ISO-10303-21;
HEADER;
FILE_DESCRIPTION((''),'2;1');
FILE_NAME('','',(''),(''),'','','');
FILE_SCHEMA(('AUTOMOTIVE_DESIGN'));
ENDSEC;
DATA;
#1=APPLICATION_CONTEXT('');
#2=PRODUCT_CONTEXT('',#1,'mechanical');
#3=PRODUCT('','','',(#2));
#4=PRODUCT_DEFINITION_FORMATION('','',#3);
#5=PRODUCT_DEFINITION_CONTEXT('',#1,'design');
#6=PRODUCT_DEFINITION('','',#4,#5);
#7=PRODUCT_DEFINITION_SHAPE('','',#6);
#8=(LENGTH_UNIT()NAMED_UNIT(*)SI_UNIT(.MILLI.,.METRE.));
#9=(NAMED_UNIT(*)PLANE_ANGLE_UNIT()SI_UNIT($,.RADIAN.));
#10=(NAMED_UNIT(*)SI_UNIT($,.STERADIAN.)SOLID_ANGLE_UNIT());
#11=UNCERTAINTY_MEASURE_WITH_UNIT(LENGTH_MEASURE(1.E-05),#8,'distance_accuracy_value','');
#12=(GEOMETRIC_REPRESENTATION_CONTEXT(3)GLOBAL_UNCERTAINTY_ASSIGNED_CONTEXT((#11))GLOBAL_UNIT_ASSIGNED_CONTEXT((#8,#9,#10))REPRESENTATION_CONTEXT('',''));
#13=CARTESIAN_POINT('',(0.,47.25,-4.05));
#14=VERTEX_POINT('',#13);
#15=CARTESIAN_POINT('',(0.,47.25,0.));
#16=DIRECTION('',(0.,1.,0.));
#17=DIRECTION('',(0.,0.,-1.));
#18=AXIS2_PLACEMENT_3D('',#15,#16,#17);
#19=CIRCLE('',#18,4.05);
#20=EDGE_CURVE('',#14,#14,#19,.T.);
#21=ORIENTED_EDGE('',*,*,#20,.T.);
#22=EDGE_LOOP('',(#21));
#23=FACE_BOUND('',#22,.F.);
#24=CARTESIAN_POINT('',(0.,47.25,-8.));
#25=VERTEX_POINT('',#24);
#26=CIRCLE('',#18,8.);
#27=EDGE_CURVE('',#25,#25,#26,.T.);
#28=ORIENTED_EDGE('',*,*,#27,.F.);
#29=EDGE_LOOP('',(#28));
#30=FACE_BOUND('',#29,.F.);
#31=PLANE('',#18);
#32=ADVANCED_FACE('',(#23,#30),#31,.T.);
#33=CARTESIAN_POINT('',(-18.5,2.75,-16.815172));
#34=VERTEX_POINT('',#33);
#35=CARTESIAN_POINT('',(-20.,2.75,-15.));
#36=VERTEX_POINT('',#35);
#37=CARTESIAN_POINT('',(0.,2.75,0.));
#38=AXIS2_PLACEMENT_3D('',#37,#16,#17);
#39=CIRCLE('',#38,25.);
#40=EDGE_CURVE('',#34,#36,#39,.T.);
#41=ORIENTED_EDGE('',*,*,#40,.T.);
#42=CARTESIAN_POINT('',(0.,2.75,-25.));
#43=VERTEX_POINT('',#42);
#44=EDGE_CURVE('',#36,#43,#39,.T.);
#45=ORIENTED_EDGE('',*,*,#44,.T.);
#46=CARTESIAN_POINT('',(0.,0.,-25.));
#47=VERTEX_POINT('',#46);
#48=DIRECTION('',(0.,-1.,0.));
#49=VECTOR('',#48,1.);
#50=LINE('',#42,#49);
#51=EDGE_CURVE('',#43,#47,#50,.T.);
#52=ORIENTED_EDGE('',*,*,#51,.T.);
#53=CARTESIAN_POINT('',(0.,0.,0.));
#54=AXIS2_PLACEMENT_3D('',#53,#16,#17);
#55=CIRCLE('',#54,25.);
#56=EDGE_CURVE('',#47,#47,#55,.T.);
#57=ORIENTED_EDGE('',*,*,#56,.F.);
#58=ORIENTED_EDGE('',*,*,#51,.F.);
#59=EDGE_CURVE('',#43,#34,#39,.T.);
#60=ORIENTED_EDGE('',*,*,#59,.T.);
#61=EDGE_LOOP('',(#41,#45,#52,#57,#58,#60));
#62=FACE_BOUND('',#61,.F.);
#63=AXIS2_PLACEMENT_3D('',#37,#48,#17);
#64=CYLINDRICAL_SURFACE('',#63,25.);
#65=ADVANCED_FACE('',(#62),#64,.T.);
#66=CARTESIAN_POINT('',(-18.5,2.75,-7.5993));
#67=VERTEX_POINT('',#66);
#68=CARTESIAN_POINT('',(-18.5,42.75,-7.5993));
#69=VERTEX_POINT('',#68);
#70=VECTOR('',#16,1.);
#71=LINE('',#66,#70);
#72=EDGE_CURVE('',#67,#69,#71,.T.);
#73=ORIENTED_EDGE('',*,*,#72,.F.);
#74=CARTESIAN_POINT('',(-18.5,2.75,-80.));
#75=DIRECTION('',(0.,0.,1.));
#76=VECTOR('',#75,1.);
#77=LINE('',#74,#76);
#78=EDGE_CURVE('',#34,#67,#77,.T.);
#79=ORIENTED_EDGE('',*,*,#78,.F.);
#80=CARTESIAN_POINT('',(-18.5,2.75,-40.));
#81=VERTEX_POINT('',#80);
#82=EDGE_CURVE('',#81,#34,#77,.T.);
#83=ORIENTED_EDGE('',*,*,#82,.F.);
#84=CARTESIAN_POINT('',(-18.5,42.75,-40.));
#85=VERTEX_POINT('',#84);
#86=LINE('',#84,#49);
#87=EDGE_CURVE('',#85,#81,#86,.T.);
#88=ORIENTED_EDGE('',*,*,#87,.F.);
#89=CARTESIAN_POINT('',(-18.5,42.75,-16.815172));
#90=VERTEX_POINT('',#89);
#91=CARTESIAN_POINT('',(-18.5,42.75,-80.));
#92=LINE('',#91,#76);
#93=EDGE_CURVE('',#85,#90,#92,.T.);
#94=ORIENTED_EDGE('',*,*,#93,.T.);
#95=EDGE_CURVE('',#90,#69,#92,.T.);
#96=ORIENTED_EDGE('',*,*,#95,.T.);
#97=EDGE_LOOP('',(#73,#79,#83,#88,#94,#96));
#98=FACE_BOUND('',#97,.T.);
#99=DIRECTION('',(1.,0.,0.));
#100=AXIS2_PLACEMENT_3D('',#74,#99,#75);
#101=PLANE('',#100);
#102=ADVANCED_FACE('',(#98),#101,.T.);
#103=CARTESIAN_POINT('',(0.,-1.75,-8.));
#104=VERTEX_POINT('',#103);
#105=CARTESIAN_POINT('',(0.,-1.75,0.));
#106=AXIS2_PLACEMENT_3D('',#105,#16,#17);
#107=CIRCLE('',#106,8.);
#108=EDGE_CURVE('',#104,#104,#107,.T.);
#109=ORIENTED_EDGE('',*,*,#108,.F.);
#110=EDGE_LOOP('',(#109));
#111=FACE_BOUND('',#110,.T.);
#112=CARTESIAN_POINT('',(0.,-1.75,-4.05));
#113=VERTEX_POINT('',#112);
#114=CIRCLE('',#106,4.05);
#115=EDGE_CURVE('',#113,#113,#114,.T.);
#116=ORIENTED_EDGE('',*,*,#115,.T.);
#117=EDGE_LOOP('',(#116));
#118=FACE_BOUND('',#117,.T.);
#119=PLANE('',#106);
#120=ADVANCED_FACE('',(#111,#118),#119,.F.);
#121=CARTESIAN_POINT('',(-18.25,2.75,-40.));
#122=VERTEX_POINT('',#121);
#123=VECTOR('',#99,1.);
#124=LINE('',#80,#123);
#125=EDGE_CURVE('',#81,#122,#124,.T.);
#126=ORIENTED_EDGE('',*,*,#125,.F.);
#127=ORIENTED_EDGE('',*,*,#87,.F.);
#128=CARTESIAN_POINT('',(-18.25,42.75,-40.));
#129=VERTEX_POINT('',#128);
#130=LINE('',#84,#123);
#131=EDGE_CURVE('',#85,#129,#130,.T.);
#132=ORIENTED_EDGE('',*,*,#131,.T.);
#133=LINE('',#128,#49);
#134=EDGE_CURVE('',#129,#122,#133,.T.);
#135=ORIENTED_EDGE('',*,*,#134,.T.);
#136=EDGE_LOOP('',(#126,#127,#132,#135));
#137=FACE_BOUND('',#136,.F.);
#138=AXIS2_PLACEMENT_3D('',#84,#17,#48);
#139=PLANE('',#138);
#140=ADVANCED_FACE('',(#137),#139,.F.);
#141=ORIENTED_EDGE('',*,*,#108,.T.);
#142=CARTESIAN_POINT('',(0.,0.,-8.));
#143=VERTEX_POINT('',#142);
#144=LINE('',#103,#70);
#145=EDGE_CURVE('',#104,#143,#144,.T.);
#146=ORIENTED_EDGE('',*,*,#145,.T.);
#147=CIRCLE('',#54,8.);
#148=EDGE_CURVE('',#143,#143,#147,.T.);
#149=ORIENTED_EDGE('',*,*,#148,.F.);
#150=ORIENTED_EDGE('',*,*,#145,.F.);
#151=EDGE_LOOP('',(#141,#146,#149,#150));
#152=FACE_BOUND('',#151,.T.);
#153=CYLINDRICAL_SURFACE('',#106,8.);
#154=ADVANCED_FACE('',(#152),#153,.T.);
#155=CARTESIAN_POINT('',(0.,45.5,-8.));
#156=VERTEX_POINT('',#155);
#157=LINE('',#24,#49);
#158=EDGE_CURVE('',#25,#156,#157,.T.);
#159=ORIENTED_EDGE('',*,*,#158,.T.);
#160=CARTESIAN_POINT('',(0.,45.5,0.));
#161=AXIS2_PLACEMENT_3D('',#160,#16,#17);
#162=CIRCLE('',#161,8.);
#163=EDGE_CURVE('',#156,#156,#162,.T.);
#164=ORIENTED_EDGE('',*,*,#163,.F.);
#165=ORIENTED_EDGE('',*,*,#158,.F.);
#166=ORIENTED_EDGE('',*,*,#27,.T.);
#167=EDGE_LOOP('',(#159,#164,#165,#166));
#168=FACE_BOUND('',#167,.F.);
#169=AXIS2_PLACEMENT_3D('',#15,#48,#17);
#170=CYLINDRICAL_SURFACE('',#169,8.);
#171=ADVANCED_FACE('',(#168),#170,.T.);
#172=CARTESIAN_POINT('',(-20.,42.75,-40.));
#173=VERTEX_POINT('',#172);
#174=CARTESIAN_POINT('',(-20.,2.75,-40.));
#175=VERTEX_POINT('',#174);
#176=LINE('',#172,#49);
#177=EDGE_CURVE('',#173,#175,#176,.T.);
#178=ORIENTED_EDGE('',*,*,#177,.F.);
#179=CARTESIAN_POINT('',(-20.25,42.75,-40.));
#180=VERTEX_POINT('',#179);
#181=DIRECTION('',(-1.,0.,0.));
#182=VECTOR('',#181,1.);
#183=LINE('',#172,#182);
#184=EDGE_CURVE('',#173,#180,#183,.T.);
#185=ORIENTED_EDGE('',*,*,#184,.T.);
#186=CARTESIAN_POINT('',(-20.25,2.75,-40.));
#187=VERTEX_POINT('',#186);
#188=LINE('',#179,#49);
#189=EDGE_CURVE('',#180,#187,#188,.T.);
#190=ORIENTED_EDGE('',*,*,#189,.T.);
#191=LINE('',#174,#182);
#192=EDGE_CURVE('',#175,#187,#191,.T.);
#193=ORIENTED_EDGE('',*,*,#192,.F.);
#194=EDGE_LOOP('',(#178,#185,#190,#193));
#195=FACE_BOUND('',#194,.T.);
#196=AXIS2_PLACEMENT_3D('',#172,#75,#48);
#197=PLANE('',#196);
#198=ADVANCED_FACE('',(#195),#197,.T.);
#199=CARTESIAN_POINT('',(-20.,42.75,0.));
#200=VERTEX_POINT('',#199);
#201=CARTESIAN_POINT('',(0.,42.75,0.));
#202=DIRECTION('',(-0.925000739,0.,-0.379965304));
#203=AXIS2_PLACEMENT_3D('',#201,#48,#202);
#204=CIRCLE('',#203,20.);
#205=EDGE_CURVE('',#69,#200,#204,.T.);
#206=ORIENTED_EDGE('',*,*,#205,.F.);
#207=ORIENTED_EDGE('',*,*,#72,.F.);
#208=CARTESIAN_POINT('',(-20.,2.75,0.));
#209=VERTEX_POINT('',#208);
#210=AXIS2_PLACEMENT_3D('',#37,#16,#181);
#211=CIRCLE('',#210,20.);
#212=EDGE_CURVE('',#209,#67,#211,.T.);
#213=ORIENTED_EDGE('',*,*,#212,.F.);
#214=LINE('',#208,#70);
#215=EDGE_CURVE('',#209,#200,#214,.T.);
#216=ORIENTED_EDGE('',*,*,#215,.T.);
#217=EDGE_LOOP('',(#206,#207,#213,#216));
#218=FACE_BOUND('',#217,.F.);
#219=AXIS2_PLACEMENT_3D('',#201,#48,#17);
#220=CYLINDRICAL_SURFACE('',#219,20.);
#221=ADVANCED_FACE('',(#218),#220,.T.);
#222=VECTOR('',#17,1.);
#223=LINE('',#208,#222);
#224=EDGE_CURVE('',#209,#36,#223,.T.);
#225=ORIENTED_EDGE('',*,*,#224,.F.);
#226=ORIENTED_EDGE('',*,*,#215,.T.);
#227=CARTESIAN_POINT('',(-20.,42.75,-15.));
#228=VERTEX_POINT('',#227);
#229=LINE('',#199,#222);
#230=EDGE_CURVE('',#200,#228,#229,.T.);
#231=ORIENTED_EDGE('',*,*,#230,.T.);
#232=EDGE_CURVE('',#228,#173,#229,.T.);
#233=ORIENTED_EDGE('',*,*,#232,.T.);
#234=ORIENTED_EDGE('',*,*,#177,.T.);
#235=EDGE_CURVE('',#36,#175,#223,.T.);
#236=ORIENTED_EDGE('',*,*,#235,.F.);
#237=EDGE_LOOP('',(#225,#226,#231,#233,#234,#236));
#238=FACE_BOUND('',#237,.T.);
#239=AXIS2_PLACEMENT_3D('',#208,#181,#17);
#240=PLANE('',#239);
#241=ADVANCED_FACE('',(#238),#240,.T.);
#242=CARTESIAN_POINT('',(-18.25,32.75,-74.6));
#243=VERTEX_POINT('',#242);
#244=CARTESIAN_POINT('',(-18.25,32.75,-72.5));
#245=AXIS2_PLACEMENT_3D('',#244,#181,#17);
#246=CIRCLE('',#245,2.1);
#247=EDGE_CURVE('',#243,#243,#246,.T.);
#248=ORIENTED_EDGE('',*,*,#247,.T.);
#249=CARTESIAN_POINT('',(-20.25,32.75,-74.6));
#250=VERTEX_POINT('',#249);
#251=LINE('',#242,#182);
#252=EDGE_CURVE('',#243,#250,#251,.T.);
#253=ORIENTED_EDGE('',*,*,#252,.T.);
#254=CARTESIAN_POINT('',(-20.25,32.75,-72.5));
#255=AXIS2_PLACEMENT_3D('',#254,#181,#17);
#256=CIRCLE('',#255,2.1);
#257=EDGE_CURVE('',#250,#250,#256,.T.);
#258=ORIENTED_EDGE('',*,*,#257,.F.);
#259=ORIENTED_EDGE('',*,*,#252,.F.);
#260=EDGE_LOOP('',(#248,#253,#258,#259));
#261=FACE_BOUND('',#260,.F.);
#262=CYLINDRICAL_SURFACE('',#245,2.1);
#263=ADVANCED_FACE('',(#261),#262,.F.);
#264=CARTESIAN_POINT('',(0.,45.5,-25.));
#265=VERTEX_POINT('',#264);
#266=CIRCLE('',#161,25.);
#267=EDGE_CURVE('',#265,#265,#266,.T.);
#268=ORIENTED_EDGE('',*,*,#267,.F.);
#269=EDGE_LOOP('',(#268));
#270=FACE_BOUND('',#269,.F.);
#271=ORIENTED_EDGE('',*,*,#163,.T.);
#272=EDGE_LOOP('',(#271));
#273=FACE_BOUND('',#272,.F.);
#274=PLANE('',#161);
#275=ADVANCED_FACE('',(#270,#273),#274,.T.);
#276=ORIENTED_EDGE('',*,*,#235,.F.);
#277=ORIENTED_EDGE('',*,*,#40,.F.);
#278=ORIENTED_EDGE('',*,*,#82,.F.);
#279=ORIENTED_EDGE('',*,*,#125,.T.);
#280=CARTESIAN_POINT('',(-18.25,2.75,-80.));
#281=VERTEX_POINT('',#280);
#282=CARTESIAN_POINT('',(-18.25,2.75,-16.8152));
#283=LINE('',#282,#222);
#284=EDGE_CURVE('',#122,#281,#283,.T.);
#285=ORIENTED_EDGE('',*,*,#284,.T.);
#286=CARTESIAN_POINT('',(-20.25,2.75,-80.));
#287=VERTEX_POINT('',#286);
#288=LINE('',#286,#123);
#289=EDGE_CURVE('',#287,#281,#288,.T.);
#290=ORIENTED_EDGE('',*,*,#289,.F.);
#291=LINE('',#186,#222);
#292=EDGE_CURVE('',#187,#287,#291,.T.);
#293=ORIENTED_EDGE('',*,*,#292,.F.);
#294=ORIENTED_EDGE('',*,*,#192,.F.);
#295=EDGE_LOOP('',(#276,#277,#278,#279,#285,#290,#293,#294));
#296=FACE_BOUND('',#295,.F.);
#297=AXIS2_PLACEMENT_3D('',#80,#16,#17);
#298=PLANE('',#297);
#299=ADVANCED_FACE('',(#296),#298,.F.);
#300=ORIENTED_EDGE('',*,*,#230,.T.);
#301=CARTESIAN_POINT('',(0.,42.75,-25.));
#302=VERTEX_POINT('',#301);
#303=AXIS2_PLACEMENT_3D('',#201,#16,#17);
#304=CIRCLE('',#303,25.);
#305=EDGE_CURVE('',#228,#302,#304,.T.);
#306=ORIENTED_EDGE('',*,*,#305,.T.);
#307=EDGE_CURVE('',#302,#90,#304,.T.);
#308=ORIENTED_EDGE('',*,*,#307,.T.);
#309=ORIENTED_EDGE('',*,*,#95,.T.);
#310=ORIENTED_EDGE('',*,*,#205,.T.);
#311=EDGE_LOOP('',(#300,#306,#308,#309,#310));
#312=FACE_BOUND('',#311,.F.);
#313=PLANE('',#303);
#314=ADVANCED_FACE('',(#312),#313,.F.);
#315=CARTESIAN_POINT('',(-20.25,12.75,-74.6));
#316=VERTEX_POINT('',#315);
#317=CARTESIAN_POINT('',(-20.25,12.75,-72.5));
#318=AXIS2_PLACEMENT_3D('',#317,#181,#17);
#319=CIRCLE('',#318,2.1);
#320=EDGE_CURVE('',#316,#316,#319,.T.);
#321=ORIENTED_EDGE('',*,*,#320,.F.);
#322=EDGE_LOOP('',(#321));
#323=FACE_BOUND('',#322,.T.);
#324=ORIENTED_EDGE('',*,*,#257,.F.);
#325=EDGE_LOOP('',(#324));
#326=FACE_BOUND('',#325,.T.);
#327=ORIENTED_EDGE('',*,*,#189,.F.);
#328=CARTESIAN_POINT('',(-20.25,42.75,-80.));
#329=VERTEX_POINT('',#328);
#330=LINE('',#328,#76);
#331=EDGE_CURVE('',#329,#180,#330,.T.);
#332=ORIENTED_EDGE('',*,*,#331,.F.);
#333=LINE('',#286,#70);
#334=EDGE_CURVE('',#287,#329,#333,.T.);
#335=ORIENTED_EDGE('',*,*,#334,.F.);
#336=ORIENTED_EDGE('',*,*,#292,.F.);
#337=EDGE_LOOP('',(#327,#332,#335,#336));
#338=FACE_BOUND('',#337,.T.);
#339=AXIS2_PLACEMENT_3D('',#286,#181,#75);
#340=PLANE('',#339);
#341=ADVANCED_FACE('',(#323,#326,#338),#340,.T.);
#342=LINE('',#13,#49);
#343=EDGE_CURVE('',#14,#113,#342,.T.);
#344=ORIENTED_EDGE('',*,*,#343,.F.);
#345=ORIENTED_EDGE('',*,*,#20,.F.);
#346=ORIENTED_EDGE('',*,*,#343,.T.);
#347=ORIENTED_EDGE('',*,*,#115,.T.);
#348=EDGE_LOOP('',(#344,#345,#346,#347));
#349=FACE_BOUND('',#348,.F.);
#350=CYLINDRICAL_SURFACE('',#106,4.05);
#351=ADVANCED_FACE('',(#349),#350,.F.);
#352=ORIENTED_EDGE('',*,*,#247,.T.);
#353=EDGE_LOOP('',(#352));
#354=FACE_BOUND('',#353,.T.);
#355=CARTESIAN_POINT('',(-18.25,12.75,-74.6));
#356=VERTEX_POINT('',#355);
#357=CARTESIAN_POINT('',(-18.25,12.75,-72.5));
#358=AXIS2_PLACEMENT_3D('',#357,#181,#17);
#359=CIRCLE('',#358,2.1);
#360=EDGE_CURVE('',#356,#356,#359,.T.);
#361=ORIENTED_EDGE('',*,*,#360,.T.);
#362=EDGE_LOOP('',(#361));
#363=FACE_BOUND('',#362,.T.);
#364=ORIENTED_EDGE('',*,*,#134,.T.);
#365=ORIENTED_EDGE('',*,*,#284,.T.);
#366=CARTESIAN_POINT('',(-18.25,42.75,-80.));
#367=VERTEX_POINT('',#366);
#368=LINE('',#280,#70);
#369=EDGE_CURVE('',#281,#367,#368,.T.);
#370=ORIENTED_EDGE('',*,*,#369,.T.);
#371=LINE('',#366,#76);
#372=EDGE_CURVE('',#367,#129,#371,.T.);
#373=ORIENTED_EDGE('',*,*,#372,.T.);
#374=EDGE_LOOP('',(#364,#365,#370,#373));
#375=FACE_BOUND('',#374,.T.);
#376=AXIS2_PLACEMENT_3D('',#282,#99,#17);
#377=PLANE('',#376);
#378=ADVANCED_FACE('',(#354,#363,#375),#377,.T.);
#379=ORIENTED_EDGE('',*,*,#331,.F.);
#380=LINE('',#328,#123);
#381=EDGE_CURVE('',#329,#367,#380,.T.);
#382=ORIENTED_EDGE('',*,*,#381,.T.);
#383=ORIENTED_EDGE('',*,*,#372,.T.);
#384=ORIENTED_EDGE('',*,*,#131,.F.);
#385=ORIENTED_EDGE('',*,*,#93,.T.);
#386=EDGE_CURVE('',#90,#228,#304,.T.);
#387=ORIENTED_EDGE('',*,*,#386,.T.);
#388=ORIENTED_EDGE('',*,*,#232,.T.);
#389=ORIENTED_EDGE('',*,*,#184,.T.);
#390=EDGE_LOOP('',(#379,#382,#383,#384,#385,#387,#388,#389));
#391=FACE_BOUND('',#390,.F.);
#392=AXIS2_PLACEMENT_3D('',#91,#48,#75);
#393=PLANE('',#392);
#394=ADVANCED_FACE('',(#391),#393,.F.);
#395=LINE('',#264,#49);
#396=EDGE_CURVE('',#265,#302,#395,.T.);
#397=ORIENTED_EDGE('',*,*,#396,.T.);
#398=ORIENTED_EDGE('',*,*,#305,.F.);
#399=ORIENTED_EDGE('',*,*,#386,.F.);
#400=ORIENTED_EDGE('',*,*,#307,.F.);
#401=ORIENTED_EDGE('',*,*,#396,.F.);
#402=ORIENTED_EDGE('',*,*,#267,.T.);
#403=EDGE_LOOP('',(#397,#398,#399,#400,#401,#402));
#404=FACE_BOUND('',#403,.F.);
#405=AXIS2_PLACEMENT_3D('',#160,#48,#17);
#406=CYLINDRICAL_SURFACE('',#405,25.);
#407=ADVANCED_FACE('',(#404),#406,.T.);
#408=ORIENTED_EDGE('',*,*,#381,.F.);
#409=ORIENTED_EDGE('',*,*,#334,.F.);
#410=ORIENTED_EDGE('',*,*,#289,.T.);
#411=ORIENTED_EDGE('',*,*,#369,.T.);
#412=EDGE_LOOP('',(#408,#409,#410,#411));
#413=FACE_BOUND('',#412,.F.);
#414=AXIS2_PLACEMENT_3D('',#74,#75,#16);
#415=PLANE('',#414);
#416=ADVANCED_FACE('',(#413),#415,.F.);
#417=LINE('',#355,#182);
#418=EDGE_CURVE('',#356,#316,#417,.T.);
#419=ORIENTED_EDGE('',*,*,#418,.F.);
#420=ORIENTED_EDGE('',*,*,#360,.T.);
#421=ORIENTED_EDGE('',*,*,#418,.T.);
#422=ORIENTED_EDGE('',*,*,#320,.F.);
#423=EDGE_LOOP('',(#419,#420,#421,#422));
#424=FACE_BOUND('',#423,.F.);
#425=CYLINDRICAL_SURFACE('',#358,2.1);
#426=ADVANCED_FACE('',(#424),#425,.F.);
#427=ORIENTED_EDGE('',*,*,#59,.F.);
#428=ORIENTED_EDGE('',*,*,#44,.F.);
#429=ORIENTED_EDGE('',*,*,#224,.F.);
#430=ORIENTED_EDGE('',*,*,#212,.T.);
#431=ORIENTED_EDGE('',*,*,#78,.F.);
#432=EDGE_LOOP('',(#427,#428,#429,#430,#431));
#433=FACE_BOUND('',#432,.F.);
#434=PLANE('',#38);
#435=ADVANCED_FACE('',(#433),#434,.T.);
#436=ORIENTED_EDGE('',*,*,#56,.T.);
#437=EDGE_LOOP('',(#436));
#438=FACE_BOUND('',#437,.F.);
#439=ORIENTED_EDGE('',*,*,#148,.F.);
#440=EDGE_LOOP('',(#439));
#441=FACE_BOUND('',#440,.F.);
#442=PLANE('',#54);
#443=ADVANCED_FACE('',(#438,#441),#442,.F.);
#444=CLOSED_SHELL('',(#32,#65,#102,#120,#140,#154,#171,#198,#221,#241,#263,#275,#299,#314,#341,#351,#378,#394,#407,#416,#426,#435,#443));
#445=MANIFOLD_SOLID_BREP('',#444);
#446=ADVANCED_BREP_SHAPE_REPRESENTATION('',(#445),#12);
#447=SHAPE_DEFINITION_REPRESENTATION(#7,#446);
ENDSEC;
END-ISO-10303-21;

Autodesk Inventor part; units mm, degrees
ref_plane "YZ Plane" through (0, 0, 0) normal (1, 0, 0) x (0, 1, 0)
ref_plane "XZ Plane" through (0, 0, 0) normal (0, 1, 0) x (-1, 0, 0)
ref_plane "XY Plane" through (0, 0, 0) normal (0, 0, 1) x (1, 0, 0)
sketch "スケッチ1" plane through (0, 0, 0) normal (1, 0, 0) x (0, 1, 0)
  line L0 (0, 0) -> (2.75, 0)
  line L1 (2.75, 0) -> (2.75, -25)
  line L2 (2.75, -25) -> (0, -25)
  line L3 (0, -25) -> (0, 0)
  line L4 (2.75, 0) -> (42.75, 0)
  line L5 (42.75, 0) -> (42.75, -20)
  line L6 (42.75, -20) -> (2.75, -20)
  line L7 (2.75, -20) -> (2.75, 0)
  line L8 (42.75, 0) -> (45.5, 0)
  line L9 (45.5, 0) -> (45.5, -25)
  line L10 (45.5, -25) -> (42.75, -25)
  line L11 (42.75, -25) -> (42.75, 0)
  line L12 (22.75, 0) -> (22.75, -20)
  line L13 (45.5, 0) -> (47.25, 0)
  line L14 (47.25, 0) -> (47.25, -8)
  line L15 (47.25, -8) -> (45.5, -8)
  line L16 (45.5, -8) -> (45.5, 0)
  line L17 (0, 0) -> (-1.75, 0)
  line L18 (-1.75, 0) -> (-1.75, -8)
  line L19 (-1.75, -8) -> (0, -8)
  line L20 (0, -8) -> (0, 0)
  line L21 (47.25, 0) -> (-1.75, 0)
  line L22 (-1.75, 0) -> (-1.75, -4.05)
  line L23 (-1.75, -4.05) -> (47.25, -4.05)
  line L24 (47.25, -4.05) -> (47.25, 0)
  point P0 (2.75, -20)
  point P1 (42.75, -20)
  dimension "d0" = 45.5
  dimension "d1" = 25
  dimension "d2" = 20
  dimension "d3" = 49
  dimension "d4" = 8
  dimension "d5" = 4.05
  dimension "d11" = 40
revolve "回転1" add sketch "スケッチ1" angle 360 about axis through (0, 2.75, 0) along (0, 1, 0) contours L23 L1 L2 L3 | L3 L19 L18 L23 | L23 L12 L6 L1 | L23 L5 L6 L12 | L23 L9 L10 L11 L5 | L23 L14 L15 L9
sketch "スケッチ2" plane through (0, 2.75, 0) normal (0, 1, 0) x (1, 0, 0)
  circle A0 centre (0, 0) radius 20 projected
  line L0 (-20, 0) -> (-20, 80)
  line L1 (-20, 80) -> (-18.5, 80)
  line L2 (-18.5, 80) -> (-18.5, 7.5993)
  circle A1 centre (0, 0) radius 20
  point P0 (0, 0)
  dimension "d7" = 80
  dimension "d8" = 1.5
extrude "押し出し1" add sketch "スケッチ2" along normal blind 40 contours A0 L0 L1 L2
sketch "スケッチ4" plane through (-20, 2.75, -80) normal (-1, 0, 0) x (0, 0, 1)
  line L0 (0, 40) -> (65, 40) projected
  line L1 (0, 40) -> (40, 40)
  line L2 (40, 40) -> (40, 0)
  line L3 (40, 0) -> (0, 0)
  line L4 (0, 0) -> (0, 40)
  point P0 (80, -2.75)
  dimension "d12" = 40
  dimension "d13" = 40
extrude "押し出し2" add sketch "スケッチ4" along normal blind 0.25
sketch "スケッチ5" plane through (-18.5, 2.75, -16.8152) normal (1, 0, 0) x (0, 0, -1)
  line L0 (63.1848, 0) -> (63.1848, 40) projected
  line L1 (0, 0) -> (63.1848, 0) projected
  line L2 (63.1848, 40) -> (23.1848, 40)
  line L3 (23.1848, 40) -> (23.1848, 0)
  line L4 (23.1848, 0) -> (63.1848, 0)
  line L5 (63.1848, 0) -> (63.1848, 40)
  point P0 (-16.8152, -2.75)
  dimension "d16" = 40
extrude "押し出し3" add sketch "スケッチ5" along normal blind 0.25
sketch "スケッチ6" plane through (-18.25, 2.75, -16.8152) normal (1, 0, 0) x (0, 0, -1)
  line L0 (63.1848, 40) -> (63.1848, 0) projected
  line L1 (63.1848, 20) -> (23.1848, 20)
  line L2 (23.1848, 0) -> (23.1848, 40) projected
  point P0 (-16.8152, -2.75)
  point P1 (55.6848, 30)
  point P2 (55.6848, 10)
  dimension "d19" = 20
  dimension "d20" = 7.5
hole "穴1" at (-18.25, 32.75, -72.5) at (-18.25, 12.75, -72.5) direction (-1, 0, 0) diameter 4.2 end through all
equation "\"d1\" = 0.5 * SpringD"
equation "\"d3\" = SpringWidth"
equation "\"SpringD\" = 50"
equation "\"SpringWidth\" = 49"
properties part number "定荷重バネ49N" material "アルミニウム 6061"
